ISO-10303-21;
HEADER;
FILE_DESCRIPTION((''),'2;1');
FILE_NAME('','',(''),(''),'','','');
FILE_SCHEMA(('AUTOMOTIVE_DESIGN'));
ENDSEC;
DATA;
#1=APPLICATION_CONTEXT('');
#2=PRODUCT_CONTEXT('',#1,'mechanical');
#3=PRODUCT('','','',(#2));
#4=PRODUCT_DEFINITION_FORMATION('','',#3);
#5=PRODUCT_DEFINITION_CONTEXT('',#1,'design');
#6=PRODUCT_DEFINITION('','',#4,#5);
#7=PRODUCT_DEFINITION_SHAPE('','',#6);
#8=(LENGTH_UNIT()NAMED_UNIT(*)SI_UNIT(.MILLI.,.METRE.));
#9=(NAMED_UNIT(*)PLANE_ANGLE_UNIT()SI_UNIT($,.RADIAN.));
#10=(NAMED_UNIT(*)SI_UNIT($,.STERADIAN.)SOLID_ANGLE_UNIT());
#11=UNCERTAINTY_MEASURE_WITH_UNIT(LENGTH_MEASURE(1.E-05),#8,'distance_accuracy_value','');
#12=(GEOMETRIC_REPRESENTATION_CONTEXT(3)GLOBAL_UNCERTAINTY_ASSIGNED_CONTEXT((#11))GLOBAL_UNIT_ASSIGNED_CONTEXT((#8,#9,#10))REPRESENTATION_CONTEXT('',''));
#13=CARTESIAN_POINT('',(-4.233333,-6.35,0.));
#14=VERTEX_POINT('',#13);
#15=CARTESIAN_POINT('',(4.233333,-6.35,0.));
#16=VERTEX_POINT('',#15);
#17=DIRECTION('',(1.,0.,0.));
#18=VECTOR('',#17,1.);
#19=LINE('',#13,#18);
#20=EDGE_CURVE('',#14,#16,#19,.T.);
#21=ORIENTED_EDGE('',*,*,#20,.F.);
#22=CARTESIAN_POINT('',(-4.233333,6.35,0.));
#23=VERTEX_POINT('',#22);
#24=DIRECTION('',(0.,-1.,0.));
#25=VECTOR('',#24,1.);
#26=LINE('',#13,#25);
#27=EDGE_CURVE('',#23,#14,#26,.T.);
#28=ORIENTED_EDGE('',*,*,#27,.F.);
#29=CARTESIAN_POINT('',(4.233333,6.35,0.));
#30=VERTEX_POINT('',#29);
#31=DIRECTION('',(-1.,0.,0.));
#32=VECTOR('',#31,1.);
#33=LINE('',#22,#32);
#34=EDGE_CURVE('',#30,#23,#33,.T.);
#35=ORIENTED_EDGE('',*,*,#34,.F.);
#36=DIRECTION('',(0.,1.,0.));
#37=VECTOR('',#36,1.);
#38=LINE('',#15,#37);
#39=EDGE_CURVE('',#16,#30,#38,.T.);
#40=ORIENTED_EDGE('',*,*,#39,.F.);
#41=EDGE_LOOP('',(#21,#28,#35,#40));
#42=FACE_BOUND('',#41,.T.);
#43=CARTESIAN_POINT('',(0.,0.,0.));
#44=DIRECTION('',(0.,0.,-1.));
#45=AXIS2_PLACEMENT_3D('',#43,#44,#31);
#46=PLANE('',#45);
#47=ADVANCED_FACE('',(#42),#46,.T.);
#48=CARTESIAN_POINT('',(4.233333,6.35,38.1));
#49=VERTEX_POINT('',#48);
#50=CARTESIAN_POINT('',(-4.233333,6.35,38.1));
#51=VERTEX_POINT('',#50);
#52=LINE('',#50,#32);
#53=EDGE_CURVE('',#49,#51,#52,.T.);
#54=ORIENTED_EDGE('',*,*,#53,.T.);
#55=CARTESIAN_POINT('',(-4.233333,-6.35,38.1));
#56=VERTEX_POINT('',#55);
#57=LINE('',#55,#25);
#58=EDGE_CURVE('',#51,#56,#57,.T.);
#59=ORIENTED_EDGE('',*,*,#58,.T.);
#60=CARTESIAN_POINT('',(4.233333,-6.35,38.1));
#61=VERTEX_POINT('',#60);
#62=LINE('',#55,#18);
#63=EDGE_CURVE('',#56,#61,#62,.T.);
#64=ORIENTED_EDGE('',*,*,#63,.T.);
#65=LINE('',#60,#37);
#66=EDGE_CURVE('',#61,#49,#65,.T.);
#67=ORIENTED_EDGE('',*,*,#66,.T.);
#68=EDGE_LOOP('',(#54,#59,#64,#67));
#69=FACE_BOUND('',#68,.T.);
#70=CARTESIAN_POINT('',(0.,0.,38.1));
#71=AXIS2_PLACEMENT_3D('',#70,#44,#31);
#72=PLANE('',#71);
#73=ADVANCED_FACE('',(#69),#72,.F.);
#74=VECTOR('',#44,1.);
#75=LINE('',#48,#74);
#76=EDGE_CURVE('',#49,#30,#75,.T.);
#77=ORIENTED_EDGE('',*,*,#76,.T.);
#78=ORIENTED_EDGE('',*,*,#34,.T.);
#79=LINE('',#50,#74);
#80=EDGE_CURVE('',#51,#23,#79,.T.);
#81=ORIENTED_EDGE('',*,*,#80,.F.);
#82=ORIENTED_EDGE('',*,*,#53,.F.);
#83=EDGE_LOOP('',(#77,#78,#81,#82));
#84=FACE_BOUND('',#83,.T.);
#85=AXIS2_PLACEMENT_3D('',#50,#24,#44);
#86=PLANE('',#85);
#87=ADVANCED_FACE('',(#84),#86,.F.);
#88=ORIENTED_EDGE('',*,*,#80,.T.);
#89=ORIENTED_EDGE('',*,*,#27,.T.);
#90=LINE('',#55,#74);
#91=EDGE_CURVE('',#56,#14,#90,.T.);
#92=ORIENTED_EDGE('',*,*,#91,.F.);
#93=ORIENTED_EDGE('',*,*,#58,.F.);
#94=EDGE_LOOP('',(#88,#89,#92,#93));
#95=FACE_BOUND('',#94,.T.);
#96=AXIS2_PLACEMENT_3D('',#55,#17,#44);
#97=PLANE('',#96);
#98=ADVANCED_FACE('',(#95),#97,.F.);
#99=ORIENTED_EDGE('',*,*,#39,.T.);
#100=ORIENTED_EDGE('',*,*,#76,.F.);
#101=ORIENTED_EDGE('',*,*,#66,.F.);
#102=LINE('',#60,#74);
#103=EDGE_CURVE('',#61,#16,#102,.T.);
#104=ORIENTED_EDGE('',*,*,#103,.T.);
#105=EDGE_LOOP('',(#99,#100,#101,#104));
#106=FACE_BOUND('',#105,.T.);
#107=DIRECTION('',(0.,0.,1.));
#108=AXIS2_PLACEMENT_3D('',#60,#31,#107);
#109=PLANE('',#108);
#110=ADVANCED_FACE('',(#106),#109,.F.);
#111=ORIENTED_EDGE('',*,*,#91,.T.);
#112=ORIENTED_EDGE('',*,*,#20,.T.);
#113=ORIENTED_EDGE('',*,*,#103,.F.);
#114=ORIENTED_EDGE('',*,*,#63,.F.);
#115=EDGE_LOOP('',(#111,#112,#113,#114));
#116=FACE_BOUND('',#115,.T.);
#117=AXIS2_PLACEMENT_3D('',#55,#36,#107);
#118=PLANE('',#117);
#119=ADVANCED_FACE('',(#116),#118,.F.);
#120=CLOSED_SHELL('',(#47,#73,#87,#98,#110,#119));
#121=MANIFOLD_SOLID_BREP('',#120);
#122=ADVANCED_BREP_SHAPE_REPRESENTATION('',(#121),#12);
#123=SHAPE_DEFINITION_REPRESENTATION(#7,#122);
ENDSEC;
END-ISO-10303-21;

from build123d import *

# Parameters (mm, degrees)
SKETCH1_W           = 8.466666666
SKETCH1_H           = 12.7
BOSS_EXTRUDE1_DEPTH = 38.1


with BuildPart() as part:
    # Sketch1 → Boss-Extrude1 (new body)
    with BuildSketch(Plane.XY):
        Rectangle(SKETCH1_W, SKETCH1_H)
    extrude(amount=BOSS_EXTRUDE1_DEPTH)


solid = part.part
